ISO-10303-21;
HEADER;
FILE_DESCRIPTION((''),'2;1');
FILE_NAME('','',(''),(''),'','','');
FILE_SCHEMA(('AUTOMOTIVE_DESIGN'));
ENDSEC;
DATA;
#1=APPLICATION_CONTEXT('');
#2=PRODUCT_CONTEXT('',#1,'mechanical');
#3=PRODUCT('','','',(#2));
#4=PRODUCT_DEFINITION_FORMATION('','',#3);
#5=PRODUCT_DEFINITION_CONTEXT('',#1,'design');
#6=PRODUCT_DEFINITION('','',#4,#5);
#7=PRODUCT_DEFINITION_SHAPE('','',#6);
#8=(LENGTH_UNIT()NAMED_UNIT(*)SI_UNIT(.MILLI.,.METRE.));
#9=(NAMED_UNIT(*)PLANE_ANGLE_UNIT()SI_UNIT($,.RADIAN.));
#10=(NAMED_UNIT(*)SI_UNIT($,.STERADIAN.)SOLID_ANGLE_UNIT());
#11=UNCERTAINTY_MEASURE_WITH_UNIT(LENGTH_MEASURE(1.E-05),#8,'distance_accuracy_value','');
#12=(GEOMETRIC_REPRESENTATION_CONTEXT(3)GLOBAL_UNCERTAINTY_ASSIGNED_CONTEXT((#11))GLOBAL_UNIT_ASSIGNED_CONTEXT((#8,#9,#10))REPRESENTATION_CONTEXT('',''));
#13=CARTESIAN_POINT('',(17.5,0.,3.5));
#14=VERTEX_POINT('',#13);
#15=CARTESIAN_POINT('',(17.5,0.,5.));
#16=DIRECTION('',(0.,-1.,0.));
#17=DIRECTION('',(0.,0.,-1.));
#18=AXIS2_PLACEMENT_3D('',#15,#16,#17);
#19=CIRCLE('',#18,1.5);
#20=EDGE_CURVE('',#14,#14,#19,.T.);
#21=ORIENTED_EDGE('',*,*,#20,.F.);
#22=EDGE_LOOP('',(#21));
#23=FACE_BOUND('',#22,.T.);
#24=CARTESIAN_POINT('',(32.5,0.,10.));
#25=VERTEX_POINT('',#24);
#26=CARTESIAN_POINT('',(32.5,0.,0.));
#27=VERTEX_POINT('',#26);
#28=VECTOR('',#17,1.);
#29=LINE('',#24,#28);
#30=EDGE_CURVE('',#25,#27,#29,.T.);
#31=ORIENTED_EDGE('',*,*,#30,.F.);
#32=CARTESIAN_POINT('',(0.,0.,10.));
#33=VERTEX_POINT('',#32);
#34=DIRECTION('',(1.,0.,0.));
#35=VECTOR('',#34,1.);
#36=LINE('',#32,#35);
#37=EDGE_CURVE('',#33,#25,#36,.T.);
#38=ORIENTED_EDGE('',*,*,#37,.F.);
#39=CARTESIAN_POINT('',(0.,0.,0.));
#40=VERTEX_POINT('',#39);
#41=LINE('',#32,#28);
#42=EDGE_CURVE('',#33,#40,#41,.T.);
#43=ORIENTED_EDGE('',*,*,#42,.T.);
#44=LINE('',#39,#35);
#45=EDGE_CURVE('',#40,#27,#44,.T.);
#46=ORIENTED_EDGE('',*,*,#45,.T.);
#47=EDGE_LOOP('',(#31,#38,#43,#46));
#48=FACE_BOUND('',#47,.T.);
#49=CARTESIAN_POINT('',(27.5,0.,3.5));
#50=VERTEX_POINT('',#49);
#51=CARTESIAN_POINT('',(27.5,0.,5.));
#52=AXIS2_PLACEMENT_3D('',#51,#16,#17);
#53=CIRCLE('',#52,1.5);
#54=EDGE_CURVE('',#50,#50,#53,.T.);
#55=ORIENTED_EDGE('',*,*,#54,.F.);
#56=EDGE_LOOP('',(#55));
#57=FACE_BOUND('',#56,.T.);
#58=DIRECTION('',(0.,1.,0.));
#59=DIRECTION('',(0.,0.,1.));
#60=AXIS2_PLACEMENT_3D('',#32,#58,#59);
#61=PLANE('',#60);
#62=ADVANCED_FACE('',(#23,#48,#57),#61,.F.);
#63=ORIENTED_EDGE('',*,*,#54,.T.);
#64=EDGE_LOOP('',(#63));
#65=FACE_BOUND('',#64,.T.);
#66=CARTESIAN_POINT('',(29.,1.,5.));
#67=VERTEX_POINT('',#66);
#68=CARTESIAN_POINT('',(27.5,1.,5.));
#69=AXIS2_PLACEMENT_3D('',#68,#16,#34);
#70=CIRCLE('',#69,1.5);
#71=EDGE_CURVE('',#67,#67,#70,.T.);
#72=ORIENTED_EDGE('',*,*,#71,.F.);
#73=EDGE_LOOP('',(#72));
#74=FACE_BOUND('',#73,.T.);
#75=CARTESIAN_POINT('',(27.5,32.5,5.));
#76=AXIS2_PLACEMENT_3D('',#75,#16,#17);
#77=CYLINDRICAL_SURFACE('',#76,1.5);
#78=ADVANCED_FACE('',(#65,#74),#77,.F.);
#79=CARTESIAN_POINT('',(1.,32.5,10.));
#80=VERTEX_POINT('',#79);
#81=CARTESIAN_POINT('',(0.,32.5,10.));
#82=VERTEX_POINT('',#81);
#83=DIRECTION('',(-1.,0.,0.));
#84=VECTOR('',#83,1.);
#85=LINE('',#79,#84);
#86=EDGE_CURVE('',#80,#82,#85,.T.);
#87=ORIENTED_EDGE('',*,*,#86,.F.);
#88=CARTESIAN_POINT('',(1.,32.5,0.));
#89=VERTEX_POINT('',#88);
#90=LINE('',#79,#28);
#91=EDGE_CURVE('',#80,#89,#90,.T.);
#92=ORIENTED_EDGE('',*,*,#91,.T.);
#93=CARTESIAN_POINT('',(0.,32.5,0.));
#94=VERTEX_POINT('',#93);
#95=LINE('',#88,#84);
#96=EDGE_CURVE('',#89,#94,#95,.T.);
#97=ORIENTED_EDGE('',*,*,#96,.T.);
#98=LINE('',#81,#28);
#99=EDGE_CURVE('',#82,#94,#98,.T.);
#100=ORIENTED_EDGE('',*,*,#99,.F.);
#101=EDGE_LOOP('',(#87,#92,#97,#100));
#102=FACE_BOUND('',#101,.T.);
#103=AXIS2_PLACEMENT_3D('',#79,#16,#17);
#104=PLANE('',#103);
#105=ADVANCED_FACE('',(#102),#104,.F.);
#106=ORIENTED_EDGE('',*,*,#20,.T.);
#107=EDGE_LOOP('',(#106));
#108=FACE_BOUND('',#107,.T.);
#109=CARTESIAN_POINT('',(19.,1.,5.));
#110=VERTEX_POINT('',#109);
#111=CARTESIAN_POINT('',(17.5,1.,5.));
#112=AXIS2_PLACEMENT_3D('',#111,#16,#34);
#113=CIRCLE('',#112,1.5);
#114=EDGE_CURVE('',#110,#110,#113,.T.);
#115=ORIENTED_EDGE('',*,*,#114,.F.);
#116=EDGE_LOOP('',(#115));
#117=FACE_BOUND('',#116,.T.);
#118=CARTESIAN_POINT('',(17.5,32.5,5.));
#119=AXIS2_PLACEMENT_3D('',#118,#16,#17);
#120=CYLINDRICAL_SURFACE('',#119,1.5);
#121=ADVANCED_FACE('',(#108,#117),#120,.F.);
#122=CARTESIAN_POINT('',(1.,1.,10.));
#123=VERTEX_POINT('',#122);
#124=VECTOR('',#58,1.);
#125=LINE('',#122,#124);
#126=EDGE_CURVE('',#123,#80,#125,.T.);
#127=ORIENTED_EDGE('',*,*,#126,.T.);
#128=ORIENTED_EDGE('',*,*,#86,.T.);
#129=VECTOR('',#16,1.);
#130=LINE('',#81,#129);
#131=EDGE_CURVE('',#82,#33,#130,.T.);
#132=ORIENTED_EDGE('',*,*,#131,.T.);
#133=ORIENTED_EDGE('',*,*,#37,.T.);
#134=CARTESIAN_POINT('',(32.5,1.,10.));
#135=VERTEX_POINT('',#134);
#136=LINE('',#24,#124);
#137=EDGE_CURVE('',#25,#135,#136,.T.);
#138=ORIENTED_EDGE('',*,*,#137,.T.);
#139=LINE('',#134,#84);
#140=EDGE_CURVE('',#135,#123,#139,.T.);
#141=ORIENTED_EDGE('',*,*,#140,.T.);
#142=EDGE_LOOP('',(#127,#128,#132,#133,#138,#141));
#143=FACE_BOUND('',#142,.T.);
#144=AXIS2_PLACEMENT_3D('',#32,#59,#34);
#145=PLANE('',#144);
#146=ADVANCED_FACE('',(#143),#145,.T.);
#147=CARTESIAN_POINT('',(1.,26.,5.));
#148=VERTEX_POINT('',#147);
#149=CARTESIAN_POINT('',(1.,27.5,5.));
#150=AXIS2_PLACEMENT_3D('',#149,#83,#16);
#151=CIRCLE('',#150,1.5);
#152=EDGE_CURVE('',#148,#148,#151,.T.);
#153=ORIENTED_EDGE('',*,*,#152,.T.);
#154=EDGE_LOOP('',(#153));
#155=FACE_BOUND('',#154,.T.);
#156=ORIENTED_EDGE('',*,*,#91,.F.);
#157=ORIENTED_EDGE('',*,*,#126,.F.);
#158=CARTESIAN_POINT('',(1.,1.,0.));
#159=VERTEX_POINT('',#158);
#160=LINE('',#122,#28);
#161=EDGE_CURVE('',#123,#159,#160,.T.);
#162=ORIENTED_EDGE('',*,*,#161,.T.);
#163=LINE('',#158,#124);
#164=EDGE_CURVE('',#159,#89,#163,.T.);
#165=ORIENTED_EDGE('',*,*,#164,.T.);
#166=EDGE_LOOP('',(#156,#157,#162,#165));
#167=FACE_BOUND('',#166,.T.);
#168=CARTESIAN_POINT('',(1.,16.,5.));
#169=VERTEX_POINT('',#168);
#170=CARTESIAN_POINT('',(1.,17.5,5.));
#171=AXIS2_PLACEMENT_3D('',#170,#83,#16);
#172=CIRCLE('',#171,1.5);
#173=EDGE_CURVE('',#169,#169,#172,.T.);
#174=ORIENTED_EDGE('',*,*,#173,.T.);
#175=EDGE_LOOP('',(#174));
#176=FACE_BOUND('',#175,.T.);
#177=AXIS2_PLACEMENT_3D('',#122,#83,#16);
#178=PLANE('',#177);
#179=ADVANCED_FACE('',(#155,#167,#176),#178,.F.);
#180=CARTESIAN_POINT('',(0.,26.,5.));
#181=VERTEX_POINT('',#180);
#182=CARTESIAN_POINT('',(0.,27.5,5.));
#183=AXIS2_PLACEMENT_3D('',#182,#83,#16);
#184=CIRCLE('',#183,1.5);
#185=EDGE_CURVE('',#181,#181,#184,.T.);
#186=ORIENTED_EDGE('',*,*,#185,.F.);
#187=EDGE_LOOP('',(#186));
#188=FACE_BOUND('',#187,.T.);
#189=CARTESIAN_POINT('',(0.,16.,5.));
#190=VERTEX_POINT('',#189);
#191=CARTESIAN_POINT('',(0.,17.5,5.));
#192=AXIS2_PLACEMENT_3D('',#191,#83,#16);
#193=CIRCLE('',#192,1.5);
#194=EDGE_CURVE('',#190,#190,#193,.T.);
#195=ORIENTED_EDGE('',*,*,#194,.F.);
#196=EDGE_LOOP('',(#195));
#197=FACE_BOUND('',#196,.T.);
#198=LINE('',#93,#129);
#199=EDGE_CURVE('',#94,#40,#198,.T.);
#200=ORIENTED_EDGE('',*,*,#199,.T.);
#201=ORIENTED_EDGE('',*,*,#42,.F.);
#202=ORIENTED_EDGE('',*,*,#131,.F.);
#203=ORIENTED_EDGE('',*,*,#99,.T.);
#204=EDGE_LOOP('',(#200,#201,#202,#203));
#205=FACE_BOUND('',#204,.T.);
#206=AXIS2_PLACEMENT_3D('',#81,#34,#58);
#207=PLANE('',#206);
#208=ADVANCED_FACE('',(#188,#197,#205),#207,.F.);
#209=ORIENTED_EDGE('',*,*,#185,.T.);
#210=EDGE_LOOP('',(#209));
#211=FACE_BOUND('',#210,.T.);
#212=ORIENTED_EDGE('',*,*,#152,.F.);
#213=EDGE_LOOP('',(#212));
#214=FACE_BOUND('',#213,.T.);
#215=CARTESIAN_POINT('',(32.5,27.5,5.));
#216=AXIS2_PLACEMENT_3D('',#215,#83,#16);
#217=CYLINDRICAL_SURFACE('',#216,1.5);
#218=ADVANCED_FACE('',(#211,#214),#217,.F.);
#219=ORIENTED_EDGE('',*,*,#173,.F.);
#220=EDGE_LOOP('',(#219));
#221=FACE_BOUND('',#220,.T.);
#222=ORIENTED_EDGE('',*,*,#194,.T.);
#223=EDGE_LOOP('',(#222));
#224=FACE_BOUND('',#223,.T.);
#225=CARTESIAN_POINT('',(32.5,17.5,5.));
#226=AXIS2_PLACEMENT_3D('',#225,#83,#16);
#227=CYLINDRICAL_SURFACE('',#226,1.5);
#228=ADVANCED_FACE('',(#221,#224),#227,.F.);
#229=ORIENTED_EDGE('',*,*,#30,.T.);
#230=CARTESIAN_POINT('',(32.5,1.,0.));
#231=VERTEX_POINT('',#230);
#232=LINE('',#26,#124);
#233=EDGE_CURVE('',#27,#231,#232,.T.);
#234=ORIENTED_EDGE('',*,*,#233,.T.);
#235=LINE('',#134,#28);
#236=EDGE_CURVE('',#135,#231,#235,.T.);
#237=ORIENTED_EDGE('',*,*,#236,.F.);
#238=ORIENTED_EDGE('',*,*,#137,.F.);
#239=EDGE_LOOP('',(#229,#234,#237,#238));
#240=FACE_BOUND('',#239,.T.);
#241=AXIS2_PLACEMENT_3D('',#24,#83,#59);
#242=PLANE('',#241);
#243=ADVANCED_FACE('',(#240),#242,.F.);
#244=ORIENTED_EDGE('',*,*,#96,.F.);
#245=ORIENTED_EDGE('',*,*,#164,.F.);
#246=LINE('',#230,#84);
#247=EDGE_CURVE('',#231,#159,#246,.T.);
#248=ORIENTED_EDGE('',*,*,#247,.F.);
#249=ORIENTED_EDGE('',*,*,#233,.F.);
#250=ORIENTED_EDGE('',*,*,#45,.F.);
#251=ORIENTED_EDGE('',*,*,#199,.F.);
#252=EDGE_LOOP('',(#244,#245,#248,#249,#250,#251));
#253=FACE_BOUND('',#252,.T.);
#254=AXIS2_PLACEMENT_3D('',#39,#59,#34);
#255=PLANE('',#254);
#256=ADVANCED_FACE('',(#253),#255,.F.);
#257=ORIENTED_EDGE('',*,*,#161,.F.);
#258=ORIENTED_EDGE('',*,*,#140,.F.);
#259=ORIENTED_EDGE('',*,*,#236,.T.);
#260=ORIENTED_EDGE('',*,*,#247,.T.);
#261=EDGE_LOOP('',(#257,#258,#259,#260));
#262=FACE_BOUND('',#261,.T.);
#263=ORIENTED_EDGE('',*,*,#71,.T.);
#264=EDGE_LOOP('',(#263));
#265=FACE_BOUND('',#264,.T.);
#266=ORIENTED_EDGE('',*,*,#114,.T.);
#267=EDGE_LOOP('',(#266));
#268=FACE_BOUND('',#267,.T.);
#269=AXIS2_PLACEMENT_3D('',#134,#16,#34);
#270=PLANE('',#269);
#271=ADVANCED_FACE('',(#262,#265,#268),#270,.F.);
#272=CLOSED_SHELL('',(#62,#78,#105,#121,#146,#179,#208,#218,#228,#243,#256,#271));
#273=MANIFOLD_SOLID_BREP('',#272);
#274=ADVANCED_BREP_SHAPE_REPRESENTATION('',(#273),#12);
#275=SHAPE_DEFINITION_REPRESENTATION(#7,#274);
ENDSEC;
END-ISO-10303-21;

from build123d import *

# Parameters (mm, degrees)
BOSS_EXTRU_1_DEPTH         = 10
ESQUISSE2_R                = 1.5
ENL_V_MAT_EXTRU_1_DEPTH    = 33.5
R_P_TITION_LIN_AIRE1_COUNT = 2
R_P_TITION_LIN_AIRE1_PITCH = 10
ESQUISSE3_R                = 1.5
ENL_V_MAT_EXTRU_2_DEPTH    = 33.5
R_P_TITION_LIN_AIRE2_COUNT = 2
R_P_TITION_LIN_AIRE2_PITCH = 10


with BuildPart() as part:
    # Esquisse1 → Boss.-Extru.1 (new body)
    with BuildSketch(Plane.XY):
        Polygon((0, 0), (32.5, 0), (32.5, 1), (1, 1), (1, 32.5), (0, 32.5), align=None)
    extrude(amount=BOSS_EXTRU_1_DEPTH)

    # Esquisse2 → Enlèv. mat.-Extru.1 (cut, through all)
    with BuildSketch(Plane.ZY):
        with Locations((5, 27.5)):
            Circle(ESQUISSE2_R)
    enl_v_mat_extru_1 = extrude(amount=-ENL_V_MAT_EXTRU_1_DEPTH, mode=Mode.SUBTRACT)

    # Répétition linéaire1: Enlèv. mat.-Extru.1 ×2
    with Locations(*[(0, -i * R_P_TITION_LIN_AIRE1_PITCH, 0) for i in range(1, R_P_TITION_LIN_AIRE1_COUNT)]):
        add(enl_v_mat_extru_1, mode=Mode.SUBTRACT)

    # Esquisse3 → Enlèv. mat.-Extru.2 (cut, through all)
    with BuildSketch(Plane.XZ):
        with Locations((27.5, 5)):
            Circle(ESQUISSE3_R)
    enl_v_mat_extru_2 = extrude(amount=-ENL_V_MAT_EXTRU_2_DEPTH, mode=Mode.SUBTRACT)

    # Répétition linéaire2: Enlèv. mat.-Extru.2 ×2
    with Locations(*[(-i * R_P_TITION_LIN_AIRE2_PITCH, 0, 0) for i in range(1, R_P_TITION_LIN_AIRE2_COUNT)]):
        add(enl_v_mat_extru_2, mode=Mode.SUBTRACT)


solid = part.part
